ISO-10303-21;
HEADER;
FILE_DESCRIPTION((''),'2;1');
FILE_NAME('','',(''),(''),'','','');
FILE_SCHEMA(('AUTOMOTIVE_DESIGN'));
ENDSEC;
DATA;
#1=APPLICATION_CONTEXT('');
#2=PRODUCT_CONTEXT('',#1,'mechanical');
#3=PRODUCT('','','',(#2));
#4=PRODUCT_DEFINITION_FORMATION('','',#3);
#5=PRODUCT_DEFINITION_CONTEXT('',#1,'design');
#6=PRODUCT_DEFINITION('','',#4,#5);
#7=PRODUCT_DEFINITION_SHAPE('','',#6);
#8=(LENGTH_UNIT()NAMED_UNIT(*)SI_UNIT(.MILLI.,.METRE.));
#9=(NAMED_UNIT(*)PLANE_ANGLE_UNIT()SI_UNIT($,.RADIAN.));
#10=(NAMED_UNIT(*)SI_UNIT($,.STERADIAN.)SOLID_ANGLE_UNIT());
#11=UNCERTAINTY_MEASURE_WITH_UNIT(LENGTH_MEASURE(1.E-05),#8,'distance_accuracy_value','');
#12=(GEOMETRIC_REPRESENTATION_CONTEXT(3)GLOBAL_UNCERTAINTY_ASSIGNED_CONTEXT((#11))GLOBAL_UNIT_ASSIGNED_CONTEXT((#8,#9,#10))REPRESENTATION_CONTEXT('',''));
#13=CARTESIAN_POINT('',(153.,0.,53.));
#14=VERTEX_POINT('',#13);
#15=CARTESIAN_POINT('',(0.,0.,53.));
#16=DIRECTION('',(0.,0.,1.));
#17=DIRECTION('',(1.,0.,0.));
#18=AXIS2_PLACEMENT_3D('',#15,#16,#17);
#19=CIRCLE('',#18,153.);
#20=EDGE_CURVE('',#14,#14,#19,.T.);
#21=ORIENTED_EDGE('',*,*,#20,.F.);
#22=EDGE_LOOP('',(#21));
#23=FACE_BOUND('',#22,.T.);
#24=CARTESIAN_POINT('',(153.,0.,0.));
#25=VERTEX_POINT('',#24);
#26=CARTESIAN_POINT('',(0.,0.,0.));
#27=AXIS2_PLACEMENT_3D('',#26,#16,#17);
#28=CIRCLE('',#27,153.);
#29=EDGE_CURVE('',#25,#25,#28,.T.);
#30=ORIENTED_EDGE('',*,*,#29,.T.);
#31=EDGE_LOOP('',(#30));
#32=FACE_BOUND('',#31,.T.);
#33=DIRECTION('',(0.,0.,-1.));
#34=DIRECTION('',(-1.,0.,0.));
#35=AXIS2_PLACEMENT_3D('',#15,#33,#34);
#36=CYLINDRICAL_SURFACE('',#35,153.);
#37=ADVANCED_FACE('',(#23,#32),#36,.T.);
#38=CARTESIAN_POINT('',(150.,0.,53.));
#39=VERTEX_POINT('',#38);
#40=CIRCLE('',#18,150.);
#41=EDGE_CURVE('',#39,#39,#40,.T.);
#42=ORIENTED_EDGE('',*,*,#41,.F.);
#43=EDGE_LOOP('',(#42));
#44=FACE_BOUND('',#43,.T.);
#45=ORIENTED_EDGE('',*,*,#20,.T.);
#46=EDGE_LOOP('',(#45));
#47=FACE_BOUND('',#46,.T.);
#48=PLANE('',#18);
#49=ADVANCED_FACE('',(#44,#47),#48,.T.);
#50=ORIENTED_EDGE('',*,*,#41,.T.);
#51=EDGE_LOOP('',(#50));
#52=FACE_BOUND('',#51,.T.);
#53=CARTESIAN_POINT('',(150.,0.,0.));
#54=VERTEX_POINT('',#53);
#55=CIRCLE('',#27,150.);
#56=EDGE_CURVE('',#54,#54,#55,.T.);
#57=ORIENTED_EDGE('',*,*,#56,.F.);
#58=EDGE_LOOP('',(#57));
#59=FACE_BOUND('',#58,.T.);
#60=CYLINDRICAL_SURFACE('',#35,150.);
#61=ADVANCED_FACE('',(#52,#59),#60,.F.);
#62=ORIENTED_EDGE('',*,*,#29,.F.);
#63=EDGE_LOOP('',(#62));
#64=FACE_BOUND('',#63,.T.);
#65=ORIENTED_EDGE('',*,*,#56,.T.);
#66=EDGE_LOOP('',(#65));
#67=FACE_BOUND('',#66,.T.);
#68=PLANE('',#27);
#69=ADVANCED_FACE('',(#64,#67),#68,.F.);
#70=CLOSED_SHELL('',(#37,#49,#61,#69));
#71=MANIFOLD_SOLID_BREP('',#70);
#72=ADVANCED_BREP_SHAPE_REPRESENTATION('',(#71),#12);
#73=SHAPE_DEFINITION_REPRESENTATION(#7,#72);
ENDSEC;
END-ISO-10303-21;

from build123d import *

# Parameters (mm, degrees)
EXTRUDE_THIN1_DEPTH = 53


with BuildPart() as part:
    # Sketch1 → Extrude-Thin1 (new body)
    with BuildSketch(Plane.XY):
        with BuildLine():
            ThreePointArc((-95.832468518, 119.26918285), (42.895315946, -146.863854879), (16.572259633, 152.099836327))
            ThreePointArc((16.572259633, 152.099836327), (-42.895315946, 146.863854879), (-95.832468518, 119.26918285))
        make_face()
        with BuildLine():
            ThreePointArc((-93.953400508, 116.930571422), (42.054231319, -143.98417145), (16.247313365, 149.117486595))
            ThreePointArc((16.247313365, 149.117486595), (-42.054231319, 143.98417145), (-93.953400508, 116.930571422))
        make_face(mode=Mode.SUBTRACT)
    extrude(amount=EXTRUDE_THIN1_DEPTH)


solid = part.part
